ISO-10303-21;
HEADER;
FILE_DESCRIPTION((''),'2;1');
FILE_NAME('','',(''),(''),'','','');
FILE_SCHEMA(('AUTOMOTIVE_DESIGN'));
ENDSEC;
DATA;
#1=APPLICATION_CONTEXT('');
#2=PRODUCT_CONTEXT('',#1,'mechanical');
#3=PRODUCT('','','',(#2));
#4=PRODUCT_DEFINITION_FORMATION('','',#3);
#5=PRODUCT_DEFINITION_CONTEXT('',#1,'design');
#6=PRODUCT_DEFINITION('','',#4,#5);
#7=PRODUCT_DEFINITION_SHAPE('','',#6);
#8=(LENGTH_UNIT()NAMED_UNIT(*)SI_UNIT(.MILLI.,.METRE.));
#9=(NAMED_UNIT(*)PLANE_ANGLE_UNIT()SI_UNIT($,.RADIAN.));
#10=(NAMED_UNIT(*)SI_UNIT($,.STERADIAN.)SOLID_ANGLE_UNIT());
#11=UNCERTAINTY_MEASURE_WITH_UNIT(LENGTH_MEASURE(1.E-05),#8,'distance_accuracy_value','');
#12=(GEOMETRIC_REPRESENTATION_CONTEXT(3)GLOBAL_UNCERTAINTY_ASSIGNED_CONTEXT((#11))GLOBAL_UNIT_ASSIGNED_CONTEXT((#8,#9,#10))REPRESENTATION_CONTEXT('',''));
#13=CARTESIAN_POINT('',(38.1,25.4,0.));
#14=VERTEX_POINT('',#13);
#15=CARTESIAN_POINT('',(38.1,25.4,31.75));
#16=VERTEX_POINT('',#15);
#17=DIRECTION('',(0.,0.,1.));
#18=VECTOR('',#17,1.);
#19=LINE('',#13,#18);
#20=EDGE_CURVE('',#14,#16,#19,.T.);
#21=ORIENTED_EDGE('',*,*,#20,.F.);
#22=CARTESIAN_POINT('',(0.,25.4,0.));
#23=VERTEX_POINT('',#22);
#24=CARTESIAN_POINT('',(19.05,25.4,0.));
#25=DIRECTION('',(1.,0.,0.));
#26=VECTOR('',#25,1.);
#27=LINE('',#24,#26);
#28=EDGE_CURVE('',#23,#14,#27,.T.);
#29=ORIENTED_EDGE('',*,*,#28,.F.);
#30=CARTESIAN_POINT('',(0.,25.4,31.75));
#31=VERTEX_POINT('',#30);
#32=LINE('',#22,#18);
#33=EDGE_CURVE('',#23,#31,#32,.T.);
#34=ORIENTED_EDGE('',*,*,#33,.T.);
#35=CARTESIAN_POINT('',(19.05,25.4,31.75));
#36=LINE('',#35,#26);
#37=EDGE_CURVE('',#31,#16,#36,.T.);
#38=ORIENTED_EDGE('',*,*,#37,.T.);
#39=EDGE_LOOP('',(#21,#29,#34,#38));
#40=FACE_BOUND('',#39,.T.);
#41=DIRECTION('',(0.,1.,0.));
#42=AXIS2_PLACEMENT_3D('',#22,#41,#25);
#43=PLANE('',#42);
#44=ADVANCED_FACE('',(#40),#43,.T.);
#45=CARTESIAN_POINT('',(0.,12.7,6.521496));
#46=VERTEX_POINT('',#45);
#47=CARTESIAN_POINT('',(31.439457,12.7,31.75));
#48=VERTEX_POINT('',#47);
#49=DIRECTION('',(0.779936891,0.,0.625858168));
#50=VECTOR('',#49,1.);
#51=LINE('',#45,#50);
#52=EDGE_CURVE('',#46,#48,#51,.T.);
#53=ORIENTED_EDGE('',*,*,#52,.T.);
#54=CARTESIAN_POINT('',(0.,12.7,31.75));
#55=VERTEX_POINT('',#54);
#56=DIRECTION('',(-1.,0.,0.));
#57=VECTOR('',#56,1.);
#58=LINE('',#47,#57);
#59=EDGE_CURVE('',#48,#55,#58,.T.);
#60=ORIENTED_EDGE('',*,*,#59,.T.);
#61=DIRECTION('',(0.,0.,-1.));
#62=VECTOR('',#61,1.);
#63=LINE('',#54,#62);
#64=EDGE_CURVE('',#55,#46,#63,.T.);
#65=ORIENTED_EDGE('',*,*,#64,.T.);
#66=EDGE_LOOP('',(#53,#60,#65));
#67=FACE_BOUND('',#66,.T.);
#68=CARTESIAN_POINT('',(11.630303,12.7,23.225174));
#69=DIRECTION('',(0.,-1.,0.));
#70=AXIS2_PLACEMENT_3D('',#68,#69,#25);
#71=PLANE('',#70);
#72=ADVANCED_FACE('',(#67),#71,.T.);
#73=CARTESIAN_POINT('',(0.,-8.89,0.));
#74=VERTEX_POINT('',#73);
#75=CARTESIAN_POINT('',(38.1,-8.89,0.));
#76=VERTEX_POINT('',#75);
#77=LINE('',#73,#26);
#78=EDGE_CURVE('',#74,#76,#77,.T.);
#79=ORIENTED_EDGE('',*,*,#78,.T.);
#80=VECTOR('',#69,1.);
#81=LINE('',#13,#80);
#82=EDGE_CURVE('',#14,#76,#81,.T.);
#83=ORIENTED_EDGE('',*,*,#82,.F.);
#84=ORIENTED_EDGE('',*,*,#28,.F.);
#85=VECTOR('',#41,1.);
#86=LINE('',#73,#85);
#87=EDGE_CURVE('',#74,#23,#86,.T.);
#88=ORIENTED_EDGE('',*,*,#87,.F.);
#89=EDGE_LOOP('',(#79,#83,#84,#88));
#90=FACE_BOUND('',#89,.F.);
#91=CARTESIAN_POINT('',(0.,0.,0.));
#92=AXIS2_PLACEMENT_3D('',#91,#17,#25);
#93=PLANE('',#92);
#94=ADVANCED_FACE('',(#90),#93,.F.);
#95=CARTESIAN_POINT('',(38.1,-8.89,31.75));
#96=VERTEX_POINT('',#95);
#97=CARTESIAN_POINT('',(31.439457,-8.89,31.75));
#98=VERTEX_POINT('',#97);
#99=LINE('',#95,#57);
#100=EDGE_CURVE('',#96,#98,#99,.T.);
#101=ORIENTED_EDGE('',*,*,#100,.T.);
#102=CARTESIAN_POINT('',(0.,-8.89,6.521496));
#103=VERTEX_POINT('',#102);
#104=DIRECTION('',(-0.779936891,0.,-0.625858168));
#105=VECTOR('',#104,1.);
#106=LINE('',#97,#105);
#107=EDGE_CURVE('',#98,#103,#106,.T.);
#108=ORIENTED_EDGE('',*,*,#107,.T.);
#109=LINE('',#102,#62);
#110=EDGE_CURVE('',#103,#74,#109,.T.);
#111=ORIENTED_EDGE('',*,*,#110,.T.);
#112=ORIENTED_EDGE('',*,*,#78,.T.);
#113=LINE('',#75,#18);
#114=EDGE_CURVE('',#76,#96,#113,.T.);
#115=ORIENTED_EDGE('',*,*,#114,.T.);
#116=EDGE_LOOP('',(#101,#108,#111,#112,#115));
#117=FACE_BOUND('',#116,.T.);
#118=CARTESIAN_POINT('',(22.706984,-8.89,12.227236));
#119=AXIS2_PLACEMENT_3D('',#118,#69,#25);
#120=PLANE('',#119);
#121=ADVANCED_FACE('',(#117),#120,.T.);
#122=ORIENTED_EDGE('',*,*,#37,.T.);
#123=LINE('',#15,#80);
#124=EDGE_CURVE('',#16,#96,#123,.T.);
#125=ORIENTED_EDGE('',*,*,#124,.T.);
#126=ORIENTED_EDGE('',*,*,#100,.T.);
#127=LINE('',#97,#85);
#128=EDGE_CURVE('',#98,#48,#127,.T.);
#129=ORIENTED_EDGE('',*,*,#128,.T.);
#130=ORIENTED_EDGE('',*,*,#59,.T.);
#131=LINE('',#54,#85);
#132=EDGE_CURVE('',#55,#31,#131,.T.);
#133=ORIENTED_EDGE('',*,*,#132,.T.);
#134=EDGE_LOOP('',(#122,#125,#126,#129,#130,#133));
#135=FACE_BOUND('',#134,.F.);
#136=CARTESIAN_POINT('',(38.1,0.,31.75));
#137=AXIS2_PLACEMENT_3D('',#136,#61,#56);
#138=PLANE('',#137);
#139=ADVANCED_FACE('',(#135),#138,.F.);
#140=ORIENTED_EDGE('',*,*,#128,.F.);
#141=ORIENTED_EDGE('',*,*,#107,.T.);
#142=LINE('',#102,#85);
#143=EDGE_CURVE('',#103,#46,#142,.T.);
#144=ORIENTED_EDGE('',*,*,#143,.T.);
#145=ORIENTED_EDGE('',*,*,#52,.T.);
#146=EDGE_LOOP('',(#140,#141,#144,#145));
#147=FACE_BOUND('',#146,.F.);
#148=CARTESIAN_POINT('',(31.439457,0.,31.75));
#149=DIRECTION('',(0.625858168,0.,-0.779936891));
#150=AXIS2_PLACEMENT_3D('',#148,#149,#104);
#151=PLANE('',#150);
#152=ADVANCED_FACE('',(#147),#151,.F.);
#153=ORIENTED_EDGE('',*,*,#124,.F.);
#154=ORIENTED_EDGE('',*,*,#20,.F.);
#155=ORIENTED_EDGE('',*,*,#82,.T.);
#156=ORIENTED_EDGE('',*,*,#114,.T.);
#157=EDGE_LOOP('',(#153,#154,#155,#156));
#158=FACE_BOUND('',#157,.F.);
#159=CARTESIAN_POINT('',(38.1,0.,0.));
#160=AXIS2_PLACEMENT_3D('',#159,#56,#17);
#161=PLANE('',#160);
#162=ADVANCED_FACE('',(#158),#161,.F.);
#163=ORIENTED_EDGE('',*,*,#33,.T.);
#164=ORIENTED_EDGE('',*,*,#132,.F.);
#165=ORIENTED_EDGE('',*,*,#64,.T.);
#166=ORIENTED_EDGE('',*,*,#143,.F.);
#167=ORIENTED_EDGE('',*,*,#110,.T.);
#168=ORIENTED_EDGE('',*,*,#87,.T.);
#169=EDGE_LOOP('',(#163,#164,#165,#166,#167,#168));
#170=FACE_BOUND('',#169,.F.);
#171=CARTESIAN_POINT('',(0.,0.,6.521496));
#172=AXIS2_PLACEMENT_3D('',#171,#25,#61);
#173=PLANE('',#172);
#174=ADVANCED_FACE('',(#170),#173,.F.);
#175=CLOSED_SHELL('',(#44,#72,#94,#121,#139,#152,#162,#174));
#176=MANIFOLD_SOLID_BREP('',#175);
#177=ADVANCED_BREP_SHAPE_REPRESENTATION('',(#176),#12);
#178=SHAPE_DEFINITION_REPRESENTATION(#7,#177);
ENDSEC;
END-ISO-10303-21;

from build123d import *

# Parameters (mm, degrees)
F0_W     = 38.1
F0_H     = 25.4
F2_DEPTH = 31.75
F4_DEPTH = 12.7
F5_DEPTH = 8.89


with BuildPart() as f2:
    # F0 (on Top) → F2 (new body)
    with BuildSketch(Plane.XY):
        with Locations((19.05, 12.7)):
            Rectangle(F0_W, F0_H)
    extrude(amount=F2_DEPTH)

    # F3 (on face) → F4 (cut)
    with BuildSketch(Plane.XZ):
        Polygon((0, 31.75), (0, 6.521496), (31.439457, 31.75), align=None)
    extrude(amount=-F4_DEPTH, mode=Mode.SUBTRACT)

    # F2_face (on face) → F5 (join)
    with BuildSketch(Plane(origin=(19.05, 0, 15.875), x_dir=(1, 0, 0), z_dir=(0, -1, 0))):
        Polygon((-19.05, -15.875), (19.05, -15.875), (19.05, 15.875), (12.389457, 15.875), (-19.05, -9.353504), align=None)
    extrude(amount=F5_DEPTH)


solid = f2.part
